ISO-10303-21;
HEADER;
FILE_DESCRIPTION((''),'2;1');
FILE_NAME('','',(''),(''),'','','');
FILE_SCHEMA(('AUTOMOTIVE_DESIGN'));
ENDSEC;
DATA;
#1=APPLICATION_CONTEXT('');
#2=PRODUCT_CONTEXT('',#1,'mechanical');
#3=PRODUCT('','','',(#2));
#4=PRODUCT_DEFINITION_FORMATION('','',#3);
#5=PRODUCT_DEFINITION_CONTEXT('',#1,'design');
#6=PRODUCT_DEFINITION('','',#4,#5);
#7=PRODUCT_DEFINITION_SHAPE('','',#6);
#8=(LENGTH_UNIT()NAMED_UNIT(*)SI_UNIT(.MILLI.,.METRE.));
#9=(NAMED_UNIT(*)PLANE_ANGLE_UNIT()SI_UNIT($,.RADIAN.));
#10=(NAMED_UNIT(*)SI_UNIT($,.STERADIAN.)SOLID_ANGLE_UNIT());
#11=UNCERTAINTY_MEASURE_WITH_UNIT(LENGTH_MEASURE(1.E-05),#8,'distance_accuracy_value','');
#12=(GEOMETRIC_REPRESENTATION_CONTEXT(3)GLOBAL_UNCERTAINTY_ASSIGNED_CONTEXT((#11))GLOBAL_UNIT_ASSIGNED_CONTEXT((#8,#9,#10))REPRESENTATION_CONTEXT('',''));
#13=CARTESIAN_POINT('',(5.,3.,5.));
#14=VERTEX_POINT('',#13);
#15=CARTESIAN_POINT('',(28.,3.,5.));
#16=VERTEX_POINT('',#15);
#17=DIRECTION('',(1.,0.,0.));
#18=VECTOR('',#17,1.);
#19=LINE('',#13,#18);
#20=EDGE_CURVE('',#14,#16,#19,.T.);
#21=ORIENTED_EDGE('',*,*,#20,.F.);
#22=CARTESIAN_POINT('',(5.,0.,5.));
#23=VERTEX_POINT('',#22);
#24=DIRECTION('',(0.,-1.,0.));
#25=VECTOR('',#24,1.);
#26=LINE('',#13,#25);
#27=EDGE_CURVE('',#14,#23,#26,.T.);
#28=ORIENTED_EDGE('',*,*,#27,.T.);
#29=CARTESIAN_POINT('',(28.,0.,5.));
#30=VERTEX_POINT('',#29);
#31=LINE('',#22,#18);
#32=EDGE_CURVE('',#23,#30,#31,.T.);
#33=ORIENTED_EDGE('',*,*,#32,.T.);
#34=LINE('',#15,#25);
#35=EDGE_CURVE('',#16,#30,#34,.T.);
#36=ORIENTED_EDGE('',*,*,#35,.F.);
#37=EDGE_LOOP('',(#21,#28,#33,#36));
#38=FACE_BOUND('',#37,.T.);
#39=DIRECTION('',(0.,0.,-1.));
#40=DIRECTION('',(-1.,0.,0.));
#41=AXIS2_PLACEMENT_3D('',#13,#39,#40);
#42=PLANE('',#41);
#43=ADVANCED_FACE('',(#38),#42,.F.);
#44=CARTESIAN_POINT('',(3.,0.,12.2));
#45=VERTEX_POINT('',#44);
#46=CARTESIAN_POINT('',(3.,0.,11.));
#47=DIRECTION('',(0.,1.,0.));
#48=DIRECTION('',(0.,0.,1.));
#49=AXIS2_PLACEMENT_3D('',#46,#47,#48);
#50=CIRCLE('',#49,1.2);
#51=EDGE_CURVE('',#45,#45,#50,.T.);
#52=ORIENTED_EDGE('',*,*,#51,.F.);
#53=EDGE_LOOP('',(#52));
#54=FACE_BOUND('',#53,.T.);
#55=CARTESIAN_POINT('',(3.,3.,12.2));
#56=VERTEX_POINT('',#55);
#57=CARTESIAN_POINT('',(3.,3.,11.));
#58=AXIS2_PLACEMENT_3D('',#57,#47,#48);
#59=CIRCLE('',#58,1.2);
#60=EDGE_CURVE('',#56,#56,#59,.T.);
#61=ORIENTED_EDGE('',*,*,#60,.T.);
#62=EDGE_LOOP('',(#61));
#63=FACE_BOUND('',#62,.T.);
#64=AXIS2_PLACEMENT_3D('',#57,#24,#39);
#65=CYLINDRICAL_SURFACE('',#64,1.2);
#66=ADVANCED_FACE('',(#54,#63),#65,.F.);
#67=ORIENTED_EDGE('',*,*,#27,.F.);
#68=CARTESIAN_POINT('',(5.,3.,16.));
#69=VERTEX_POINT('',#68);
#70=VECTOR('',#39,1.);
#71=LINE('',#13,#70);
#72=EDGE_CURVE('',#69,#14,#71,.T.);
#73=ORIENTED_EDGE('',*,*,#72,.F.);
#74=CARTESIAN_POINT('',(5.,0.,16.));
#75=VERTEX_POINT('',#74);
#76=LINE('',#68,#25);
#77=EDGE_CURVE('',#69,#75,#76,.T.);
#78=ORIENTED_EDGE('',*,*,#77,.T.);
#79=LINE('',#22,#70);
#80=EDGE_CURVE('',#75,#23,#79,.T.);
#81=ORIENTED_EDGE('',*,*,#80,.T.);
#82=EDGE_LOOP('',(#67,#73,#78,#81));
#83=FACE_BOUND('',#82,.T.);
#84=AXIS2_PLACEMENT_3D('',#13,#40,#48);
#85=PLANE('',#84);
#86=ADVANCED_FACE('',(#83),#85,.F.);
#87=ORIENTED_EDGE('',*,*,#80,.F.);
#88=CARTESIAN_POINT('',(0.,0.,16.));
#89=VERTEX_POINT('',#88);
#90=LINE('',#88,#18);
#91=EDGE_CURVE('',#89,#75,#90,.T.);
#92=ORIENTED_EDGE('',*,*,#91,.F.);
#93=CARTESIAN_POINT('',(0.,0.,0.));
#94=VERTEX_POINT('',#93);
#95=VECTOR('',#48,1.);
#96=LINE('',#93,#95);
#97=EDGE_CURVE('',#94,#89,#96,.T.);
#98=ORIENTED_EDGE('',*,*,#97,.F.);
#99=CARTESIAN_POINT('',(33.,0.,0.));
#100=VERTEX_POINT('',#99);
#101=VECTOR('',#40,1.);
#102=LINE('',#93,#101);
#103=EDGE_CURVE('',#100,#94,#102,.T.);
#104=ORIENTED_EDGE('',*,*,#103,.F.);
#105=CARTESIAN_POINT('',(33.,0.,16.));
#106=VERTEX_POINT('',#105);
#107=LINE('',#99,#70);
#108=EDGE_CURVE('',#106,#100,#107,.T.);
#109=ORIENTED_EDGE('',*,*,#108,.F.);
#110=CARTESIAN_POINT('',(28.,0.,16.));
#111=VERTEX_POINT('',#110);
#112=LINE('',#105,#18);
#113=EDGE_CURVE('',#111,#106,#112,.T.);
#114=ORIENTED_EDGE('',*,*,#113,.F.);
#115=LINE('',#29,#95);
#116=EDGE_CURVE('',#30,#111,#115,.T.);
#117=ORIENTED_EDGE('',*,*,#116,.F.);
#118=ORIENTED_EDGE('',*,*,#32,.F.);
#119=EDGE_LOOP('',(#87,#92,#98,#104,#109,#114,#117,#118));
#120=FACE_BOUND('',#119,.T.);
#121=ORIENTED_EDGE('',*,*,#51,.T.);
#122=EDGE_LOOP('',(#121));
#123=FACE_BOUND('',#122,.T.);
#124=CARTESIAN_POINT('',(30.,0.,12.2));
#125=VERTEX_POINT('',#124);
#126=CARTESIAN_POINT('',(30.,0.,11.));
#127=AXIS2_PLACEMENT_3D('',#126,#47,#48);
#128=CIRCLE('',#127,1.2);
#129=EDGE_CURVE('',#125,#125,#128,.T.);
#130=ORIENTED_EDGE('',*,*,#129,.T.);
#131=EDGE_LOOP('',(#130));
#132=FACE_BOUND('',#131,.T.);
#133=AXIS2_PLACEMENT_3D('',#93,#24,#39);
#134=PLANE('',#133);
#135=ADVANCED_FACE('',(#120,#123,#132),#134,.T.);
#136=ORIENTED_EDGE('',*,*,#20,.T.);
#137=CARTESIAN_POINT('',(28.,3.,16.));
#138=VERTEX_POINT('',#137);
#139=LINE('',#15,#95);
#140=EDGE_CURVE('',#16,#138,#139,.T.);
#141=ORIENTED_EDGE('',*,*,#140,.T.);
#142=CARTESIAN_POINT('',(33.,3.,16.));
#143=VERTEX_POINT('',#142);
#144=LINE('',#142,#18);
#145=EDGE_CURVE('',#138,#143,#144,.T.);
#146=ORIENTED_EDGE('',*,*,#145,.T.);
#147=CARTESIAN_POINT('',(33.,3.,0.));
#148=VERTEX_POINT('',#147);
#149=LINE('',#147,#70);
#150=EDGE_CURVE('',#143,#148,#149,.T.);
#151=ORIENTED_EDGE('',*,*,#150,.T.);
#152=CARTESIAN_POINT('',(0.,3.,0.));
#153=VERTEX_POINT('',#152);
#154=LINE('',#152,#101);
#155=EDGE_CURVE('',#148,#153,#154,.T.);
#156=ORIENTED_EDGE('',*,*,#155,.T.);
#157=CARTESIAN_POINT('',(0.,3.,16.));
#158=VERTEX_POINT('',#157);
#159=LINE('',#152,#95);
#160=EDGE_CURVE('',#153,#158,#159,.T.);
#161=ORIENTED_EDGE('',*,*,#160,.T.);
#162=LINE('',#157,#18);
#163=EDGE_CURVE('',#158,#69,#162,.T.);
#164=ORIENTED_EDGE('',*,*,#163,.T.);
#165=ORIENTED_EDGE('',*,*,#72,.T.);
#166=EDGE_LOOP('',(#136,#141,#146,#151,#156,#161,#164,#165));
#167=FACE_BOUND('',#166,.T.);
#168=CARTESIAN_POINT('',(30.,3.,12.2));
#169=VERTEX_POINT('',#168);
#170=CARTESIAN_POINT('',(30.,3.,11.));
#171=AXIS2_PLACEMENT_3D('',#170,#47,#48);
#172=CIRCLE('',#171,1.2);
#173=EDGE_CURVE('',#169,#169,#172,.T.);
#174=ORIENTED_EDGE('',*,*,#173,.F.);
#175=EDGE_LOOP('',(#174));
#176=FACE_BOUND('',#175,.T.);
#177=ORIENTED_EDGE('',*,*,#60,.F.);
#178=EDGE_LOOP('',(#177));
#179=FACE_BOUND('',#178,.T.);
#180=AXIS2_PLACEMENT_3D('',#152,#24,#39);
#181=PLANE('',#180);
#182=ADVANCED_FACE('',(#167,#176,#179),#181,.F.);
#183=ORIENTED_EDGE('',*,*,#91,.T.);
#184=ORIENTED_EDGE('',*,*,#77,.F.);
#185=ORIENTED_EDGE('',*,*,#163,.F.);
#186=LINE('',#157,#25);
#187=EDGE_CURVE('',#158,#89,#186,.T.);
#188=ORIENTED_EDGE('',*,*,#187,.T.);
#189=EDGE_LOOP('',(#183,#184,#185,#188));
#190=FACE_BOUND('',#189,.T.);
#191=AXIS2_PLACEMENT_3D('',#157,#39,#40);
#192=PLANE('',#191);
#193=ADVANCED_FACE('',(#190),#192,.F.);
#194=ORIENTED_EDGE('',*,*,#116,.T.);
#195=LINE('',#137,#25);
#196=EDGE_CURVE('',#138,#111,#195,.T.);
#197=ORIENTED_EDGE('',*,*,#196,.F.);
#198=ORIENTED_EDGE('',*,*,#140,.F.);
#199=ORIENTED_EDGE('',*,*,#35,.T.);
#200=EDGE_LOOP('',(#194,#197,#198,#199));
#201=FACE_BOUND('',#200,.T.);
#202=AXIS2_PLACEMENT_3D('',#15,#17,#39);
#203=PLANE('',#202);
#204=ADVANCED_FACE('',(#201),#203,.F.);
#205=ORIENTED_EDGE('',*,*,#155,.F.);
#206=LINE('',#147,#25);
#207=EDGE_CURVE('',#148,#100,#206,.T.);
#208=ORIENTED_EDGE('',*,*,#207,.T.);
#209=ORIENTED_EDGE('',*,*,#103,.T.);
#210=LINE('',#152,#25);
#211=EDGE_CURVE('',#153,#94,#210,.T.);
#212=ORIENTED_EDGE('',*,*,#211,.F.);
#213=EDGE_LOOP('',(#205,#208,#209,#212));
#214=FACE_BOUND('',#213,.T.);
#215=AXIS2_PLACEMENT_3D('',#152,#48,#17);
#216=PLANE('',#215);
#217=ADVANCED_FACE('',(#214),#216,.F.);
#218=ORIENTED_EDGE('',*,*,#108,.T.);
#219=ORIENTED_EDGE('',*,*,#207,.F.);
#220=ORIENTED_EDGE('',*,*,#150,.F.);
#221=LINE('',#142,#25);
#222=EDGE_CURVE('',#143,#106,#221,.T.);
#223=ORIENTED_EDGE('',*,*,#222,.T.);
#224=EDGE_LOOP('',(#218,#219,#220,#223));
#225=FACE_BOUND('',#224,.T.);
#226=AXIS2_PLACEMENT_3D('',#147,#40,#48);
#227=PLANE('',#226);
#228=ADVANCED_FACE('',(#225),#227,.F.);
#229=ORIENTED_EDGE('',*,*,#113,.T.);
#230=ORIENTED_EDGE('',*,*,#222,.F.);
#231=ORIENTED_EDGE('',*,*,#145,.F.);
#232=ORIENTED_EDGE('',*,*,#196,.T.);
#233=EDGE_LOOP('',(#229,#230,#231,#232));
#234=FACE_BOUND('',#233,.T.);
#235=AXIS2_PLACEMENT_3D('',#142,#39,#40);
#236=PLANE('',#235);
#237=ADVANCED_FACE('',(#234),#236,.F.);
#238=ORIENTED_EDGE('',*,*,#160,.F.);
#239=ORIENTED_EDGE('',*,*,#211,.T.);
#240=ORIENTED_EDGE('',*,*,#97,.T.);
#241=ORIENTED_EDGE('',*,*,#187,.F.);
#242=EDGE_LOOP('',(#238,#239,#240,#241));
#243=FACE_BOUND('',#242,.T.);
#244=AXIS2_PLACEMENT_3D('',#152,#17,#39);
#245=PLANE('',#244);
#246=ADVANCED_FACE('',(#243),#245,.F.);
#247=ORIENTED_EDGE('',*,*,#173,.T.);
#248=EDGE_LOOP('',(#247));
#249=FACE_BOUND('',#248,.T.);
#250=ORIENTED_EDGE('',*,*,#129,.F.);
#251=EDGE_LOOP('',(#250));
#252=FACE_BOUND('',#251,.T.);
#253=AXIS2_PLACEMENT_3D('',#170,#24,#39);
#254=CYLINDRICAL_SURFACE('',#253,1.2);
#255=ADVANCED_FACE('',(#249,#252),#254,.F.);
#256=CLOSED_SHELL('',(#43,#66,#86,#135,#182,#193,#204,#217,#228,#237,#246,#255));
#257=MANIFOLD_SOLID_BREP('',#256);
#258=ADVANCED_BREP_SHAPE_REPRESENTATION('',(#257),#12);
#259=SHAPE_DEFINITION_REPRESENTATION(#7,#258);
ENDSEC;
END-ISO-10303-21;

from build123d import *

# Parameters (mm, degrees)
SKETCH4_R           = 1.2
BOSS_EXTRUDE3_DEPTH = 3


with BuildPart() as part:
    # Sketch4 → Boss-Extrude3 (new body)
    with BuildSketch(Plane(origin=(0, 0, 0), x_dir=(1, 0, 0), z_dir=(0, 1, 0))):
        Polygon((5, -5), (28, -5), (28, -16), (33, -16), (33, 0), (0, 0), (0, -16), (5, -16), align=None)
        with Locations(Location((3, -11, 0), (0, 0, 270))):
            Circle(SKETCH4_R, mode=Mode.SUBTRACT)
        with Locations(Location((30, -11, 0), (0, 0, 270))):
            Circle(SKETCH4_R, mode=Mode.SUBTRACT)
    extrude(amount=BOSS_EXTRUDE3_DEPTH)


solid = part.part
